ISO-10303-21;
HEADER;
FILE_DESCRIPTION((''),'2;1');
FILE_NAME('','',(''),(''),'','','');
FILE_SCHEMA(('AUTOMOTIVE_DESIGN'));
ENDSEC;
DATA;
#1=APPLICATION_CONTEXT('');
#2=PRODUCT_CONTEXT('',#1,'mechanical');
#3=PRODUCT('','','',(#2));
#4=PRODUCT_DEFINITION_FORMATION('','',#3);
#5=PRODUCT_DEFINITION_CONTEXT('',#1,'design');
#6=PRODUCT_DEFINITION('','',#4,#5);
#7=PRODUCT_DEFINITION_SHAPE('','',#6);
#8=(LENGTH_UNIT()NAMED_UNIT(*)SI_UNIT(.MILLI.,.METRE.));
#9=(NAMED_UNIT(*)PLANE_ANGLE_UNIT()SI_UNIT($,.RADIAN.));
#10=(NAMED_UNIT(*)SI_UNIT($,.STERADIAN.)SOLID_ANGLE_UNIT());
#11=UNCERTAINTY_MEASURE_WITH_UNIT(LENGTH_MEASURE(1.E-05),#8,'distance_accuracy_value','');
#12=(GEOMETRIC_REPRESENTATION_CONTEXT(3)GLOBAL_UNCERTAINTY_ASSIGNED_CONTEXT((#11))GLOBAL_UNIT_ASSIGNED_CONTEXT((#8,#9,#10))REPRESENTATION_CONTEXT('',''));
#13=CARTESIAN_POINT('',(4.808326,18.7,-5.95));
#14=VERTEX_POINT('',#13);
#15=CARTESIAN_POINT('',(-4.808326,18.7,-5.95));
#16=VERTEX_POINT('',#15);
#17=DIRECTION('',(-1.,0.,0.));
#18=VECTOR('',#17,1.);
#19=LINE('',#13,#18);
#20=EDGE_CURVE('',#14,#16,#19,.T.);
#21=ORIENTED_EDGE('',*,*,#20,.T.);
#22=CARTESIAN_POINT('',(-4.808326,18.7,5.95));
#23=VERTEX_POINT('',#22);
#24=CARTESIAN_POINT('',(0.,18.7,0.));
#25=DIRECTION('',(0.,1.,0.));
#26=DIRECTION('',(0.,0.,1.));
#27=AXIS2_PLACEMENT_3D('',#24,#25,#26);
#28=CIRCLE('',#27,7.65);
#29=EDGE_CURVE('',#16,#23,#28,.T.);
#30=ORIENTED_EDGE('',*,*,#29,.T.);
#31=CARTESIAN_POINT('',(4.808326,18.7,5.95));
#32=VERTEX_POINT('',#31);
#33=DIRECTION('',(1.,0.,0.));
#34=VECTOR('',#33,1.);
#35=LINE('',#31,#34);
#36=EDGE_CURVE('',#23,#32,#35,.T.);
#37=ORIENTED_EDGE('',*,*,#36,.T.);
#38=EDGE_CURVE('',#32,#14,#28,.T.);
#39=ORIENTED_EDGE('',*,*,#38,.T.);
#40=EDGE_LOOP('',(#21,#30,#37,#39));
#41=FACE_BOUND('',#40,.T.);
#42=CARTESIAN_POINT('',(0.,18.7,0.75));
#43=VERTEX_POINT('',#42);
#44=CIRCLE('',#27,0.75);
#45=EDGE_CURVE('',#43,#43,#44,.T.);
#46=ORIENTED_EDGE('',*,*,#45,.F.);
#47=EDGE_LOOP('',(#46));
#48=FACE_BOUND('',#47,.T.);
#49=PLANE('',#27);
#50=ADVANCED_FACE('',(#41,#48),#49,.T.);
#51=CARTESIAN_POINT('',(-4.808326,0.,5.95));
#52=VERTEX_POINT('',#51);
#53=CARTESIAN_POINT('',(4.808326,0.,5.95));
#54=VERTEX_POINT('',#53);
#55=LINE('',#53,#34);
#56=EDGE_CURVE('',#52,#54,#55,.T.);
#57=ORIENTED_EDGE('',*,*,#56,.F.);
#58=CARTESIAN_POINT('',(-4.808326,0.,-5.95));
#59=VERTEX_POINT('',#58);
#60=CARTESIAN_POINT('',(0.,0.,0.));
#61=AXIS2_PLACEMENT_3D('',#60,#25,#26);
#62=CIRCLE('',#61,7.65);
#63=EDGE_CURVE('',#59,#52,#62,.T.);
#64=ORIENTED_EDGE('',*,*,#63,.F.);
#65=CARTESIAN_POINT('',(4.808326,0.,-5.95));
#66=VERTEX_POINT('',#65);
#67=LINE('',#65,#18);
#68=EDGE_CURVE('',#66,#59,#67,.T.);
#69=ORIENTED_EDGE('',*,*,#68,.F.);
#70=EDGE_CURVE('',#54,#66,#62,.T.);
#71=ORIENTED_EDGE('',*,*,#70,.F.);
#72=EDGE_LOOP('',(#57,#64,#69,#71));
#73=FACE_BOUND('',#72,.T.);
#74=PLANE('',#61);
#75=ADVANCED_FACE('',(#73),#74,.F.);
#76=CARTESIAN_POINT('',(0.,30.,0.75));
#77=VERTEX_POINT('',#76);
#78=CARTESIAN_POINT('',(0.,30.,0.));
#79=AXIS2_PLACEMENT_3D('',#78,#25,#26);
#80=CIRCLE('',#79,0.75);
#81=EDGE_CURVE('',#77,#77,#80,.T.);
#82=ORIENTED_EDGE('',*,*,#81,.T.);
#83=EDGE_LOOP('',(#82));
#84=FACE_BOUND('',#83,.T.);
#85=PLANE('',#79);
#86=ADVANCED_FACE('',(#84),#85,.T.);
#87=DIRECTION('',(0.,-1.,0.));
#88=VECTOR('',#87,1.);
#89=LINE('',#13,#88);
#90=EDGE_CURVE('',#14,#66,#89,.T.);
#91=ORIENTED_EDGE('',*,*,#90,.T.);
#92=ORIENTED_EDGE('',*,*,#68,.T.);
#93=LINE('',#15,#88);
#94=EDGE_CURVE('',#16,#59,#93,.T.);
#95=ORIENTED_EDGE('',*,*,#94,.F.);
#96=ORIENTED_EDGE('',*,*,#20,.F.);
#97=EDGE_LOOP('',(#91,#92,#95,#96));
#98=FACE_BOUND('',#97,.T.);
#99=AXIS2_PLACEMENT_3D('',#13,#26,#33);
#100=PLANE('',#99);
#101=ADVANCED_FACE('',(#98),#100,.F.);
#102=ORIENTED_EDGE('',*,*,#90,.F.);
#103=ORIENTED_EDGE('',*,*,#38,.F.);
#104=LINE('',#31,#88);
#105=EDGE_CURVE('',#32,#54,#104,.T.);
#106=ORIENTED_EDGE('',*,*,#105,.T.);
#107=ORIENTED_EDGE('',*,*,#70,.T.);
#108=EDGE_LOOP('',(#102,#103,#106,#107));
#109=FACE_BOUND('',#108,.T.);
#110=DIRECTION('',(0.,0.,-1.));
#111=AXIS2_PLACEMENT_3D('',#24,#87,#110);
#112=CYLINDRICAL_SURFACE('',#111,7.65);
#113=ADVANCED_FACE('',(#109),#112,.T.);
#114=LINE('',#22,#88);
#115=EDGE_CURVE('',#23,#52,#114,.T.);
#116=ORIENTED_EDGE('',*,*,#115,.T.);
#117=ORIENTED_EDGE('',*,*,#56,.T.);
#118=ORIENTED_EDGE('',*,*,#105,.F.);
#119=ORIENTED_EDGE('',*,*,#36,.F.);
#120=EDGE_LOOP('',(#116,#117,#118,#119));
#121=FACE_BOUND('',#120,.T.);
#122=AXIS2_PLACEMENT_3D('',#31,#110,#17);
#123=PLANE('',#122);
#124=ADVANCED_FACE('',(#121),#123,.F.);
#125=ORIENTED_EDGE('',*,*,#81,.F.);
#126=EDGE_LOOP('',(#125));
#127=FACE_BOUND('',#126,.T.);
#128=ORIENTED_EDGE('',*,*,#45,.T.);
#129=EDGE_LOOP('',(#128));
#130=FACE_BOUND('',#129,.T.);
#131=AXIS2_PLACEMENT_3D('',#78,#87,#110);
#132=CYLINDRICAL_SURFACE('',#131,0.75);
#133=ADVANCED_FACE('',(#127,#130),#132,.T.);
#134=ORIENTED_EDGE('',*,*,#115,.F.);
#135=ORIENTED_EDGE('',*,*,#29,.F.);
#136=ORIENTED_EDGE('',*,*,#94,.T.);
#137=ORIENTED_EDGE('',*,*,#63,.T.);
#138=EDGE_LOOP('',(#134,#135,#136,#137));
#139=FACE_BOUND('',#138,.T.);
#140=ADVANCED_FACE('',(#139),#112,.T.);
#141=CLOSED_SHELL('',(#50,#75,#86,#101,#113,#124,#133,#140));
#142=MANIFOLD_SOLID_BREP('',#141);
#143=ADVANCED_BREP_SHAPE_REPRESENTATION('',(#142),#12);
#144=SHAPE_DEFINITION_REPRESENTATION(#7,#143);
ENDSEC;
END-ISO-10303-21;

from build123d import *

# Parameters (mm, degrees)
EXTRUDE_1_DEPTH = 18.7
SKETCH_2_R      = 0.75
EXTRUDE_2_DEPTH = 11.3


with BuildPart() as part:
    # 草图1 → 凸台-拉伸1 (new body)
    with BuildSketch(Plane(origin=(0, 0, 0), x_dir=(1, 0, 0), z_dir=(0, 1, 0))):
        with BuildLine():
            Line((4.808326112, 5.95), (-4.808326112, 5.95))
            ThreePointArc((-4.808326112, 5.95), (-7.65, 0), (-4.808326112, -5.95))
            Line((-4.808326112, -5.95), (4.808326112, -5.95))
            ThreePointArc((4.808326112, -5.95), (7.65, 0), (4.808326112, 5.95))
        make_face()
    extrude(amount=EXTRUDE_1_DEPTH)

    # 草图2 → 凸台-拉伸2 (add)
    with BuildSketch(Plane(origin=(0, 18.7, 0), x_dir=(1, 0, 0), z_dir=(0, 1, 0))):
        with Locations(Location((0, 0, 0), (0, 0, 270))):
            Circle(SKETCH_2_R)
    extrude(amount=EXTRUDE_2_DEPTH)


solid = part.part
